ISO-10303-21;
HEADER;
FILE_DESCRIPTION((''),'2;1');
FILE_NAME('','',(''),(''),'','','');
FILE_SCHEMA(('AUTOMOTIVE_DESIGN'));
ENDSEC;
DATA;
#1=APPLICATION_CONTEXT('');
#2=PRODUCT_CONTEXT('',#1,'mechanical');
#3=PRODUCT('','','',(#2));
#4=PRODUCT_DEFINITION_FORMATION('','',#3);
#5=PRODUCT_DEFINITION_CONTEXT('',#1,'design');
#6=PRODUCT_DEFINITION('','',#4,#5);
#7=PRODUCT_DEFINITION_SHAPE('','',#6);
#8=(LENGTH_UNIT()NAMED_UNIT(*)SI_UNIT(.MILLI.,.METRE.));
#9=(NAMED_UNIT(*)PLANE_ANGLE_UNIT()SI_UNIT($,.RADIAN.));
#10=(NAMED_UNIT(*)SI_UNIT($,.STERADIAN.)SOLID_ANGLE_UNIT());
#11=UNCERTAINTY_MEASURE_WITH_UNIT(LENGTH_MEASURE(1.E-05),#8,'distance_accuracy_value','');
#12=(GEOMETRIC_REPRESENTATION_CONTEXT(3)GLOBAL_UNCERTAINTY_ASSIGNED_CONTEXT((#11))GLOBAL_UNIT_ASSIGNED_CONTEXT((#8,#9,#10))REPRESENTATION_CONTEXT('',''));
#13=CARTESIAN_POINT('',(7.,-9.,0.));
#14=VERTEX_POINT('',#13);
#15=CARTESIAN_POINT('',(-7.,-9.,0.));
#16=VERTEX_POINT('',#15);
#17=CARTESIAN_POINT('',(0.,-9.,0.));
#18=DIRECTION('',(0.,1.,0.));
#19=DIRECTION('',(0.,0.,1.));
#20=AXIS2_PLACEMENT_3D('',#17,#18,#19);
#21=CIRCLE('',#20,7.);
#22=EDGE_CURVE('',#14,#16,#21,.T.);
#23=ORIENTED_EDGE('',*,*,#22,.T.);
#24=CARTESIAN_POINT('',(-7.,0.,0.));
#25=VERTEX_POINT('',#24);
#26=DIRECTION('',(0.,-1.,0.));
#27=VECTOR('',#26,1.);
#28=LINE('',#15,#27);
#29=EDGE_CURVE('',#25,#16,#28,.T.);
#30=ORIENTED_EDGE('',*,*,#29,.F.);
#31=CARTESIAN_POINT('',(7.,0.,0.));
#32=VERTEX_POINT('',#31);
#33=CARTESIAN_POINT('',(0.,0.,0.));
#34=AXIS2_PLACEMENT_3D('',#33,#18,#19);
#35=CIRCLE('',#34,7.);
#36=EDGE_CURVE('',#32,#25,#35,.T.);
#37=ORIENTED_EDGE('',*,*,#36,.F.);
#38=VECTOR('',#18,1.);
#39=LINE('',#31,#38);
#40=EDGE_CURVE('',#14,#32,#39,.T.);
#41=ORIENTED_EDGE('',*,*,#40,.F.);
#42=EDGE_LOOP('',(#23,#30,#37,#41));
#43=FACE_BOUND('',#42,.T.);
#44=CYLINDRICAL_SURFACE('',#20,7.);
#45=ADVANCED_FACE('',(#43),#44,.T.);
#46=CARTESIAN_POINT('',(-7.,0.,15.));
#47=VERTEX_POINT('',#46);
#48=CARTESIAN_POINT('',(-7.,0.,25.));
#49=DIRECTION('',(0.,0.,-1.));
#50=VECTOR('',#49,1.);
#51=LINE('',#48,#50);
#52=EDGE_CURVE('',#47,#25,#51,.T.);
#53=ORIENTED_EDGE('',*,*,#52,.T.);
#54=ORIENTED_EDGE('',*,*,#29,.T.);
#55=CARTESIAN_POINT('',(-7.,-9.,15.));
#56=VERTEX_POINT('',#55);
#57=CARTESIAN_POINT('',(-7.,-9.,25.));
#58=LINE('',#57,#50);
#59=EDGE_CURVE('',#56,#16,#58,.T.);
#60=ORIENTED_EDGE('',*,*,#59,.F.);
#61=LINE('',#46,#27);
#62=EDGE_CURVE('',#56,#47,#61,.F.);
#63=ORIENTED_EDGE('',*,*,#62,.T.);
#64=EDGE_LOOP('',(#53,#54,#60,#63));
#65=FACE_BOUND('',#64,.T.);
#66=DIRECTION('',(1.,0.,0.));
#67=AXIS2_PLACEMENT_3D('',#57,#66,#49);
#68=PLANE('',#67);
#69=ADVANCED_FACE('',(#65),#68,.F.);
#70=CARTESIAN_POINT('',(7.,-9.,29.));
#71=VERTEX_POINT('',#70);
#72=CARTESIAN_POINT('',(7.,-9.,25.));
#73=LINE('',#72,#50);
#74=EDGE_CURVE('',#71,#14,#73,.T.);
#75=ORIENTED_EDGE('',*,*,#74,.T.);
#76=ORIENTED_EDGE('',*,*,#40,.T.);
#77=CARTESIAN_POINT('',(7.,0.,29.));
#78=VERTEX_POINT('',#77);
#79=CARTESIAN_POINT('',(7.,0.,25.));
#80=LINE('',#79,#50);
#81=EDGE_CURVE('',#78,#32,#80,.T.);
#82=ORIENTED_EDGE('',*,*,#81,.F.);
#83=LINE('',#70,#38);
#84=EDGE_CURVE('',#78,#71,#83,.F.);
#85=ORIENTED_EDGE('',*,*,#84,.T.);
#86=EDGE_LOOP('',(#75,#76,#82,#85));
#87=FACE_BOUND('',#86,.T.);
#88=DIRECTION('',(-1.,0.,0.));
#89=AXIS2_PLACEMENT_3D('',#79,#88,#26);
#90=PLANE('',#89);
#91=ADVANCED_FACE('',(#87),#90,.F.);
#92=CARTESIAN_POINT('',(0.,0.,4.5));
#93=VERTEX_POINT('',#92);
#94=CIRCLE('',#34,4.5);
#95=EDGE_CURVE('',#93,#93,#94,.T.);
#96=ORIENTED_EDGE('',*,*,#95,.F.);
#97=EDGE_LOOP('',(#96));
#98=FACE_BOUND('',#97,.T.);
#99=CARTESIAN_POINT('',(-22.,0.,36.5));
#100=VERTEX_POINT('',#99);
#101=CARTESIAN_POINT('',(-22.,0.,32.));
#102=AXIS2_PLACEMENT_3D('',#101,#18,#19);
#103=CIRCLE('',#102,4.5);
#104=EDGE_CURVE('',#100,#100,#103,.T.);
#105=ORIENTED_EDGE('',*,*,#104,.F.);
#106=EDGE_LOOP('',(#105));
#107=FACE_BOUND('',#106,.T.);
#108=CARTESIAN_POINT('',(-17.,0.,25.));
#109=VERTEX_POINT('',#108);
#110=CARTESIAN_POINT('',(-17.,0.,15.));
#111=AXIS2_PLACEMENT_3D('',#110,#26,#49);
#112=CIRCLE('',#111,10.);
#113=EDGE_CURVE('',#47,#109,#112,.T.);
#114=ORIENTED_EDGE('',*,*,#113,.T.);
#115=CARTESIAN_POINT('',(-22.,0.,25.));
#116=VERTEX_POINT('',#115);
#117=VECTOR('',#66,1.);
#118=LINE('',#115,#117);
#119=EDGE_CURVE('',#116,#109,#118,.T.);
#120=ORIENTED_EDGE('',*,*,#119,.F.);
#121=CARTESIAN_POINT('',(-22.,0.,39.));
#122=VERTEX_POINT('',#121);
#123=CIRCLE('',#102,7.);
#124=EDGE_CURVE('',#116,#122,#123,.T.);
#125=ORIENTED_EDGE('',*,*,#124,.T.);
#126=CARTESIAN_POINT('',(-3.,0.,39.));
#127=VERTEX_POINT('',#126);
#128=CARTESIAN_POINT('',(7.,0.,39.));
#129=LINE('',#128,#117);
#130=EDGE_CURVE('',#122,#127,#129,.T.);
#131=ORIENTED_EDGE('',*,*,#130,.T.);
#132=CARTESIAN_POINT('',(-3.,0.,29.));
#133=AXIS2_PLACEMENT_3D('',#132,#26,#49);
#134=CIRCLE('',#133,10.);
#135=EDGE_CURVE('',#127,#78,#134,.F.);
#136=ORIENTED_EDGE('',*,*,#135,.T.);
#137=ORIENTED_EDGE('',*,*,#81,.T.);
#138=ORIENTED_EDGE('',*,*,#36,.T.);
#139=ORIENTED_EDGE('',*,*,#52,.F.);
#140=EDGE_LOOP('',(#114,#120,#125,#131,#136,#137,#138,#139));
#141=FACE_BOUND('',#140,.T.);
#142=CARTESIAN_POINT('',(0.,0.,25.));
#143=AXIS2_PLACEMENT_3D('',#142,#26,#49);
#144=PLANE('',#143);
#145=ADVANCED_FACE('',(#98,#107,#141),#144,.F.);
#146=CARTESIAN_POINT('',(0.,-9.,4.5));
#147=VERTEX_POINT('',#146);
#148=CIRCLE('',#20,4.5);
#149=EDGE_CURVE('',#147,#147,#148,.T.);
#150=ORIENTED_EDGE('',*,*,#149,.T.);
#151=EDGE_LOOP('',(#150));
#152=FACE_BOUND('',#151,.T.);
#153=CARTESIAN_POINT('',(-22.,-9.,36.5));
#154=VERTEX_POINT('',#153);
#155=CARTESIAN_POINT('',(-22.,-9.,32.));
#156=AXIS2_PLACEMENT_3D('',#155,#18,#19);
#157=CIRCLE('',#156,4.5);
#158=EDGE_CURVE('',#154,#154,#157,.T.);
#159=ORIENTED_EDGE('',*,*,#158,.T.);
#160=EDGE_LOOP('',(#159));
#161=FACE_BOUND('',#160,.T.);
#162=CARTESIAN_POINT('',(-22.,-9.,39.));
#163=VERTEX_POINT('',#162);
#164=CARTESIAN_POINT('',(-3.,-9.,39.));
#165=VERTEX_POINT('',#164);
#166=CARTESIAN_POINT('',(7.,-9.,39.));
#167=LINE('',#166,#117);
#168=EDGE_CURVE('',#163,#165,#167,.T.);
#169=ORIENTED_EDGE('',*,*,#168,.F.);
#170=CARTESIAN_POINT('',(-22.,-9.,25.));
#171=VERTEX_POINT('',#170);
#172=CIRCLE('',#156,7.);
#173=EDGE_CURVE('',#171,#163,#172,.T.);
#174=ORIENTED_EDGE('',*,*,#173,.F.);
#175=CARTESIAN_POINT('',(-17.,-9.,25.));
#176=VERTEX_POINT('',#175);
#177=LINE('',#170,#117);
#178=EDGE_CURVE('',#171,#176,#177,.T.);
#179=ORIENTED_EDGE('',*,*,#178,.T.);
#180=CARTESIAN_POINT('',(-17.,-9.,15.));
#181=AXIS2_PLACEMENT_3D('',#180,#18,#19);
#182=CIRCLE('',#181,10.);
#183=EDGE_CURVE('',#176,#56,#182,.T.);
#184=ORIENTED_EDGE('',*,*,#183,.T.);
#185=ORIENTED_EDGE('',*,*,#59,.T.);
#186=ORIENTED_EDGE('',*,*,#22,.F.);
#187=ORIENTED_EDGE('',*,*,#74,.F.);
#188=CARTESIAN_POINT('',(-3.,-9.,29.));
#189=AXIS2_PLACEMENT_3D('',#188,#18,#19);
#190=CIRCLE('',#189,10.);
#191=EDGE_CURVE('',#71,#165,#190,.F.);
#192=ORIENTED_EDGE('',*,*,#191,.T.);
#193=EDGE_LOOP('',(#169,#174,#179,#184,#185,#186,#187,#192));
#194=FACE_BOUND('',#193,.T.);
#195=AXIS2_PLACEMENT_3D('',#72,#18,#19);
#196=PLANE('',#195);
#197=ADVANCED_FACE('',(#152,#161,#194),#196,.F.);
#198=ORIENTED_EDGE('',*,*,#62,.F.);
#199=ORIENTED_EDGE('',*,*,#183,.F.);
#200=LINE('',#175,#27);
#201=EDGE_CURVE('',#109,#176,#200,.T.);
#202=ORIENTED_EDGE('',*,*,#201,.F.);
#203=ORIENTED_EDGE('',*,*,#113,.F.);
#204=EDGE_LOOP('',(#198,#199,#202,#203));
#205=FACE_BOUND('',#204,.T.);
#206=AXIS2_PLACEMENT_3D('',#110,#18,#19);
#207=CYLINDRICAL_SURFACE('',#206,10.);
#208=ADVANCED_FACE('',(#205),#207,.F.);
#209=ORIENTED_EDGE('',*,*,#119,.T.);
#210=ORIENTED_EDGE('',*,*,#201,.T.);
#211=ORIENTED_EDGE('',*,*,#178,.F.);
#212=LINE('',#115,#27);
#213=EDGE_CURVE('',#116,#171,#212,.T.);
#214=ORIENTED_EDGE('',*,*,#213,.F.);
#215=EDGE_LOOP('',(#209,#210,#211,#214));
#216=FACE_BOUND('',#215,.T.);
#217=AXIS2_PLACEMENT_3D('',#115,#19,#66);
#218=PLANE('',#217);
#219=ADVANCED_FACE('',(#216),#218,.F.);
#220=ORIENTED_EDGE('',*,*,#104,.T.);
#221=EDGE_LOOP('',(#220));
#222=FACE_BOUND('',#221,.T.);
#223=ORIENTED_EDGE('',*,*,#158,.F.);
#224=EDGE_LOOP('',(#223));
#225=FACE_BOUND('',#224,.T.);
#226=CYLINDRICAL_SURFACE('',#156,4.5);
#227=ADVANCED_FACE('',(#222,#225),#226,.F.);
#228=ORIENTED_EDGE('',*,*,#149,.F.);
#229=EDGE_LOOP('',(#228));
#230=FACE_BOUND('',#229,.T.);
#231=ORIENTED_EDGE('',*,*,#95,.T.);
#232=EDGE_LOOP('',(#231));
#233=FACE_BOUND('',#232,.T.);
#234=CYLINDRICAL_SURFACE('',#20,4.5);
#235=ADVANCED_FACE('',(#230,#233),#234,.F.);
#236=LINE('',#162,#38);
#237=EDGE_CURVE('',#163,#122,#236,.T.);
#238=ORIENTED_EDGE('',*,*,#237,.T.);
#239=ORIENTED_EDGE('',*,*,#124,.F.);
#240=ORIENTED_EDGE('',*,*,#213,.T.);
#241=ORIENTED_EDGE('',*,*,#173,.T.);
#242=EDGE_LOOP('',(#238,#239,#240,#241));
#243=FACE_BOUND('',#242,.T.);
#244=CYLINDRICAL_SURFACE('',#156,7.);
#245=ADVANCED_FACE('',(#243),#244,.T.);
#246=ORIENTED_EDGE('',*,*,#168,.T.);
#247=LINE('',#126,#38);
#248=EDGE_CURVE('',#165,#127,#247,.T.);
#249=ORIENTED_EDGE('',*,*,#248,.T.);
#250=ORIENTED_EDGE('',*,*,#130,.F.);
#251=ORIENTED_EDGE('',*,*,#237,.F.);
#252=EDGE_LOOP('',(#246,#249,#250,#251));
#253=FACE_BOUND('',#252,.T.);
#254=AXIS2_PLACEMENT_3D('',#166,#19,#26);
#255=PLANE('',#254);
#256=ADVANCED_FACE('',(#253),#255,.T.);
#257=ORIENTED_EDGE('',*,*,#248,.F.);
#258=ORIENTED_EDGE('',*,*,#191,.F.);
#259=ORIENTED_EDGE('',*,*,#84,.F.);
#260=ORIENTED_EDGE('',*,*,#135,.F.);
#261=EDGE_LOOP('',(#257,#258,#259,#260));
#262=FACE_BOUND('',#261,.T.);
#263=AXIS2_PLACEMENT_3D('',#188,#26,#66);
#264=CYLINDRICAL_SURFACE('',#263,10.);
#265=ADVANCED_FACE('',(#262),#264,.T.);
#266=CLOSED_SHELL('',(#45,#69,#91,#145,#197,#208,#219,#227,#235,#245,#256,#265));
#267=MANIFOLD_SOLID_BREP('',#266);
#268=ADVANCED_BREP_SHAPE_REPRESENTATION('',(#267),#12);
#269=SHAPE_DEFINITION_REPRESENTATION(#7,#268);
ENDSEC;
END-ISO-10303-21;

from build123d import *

# Parameters (mm, degrees)
EXTRUDE_1_DEPTH     = 25
EXTRUDE_2_DEPTH     = 9
SKETCH_3_R          = 4.5
CUT_EXTRUDE_1_DEPTH = 9
SKETCH_5_W          = 14
SKETCH_5_H          = 9
EXTRUDE_3_DEPTH     = 15
EXTRUDE_4_DEPTH     = 9
SKETCH_7_R          = 4.5
CUT_EXTRUDE_2_DEPTH = 9
SKETCH_8_W          = 14
SKETCH_8_H          = 14
EXTRUDE_5_DEPTH     = 9
FILLET_1_R          = 10


with BuildPart() as part:
    # 草图1 → 凸台-拉伸1 (new body)
    with BuildSketch(Plane.XY):
        Polygon((0, 0), (7, 0), (7, -9), (-7, -9), (-7, 0), align=None)
    extrude(amount=EXTRUDE_1_DEPTH)

    # 草图2 → 凸台-拉伸2 (add)
    with BuildSketch(Plane(origin=(0, 0, 0), x_dir=(1, 0, 0), z_dir=(0, 1, 0))):
        with BuildLine():
            Line((7, 0), (-7, 0))
            ThreePointArc((-7, 0), (0, 7), (7, 0))
        make_face()
    extrude(amount=-EXTRUDE_2_DEPTH)

    # 草图3 → 切除-拉伸1 (cut)
    with BuildSketch(Plane(origin=(0, 0, 0), x_dir=(1, 0, 0), z_dir=(0, 1, 0))):
        with Locations(Location((0, 0, 0), (0, 0, 270))):
            Circle(SKETCH_3_R)
    extrude(amount=-CUT_EXTRUDE_1_DEPTH, mode=Mode.SUBTRACT)



with BuildPart() as body_2:
    # 草图5 → 凸台-拉伸3 (new body)
    with BuildSketch(Plane.ZY.offset(7)):
        with Locations((32, -4.5)):
            Rectangle(SKETCH_5_W, SKETCH_5_H)
    extrude(amount=EXTRUDE_3_DEPTH)

    # 草图6 → 凸台-拉伸4 (add)
    with BuildSketch(Plane(origin=(0, 0, 0), x_dir=(1, 0, 0), z_dir=(0, 1, 0))):
        with BuildLine():
            Line((-22, -25), (-22, -39))
            ThreePointArc((-22, -39), (-29, -32), (-22, -25))
        make_face()
    extrude(amount=-EXTRUDE_4_DEPTH)

    # 草图7 → 切除-拉伸2 (cut)
    with BuildSketch(Plane(origin=(0, 0, 0), x_dir=(1, 0, 0), z_dir=(0, 1, 0))):
        with Locations(Location((-22, -32, 0), (0, 0, 270))):
            Circle(SKETCH_7_R)
    extrude(amount=-CUT_EXTRUDE_2_DEPTH, mode=Mode.SUBTRACT)


with BuildPart() as part_1:
    add(part.part)

    add(body_2.part)  # 凸台-拉伸5 merges body 2
    # 草图8 → 凸台-拉伸5 (add)
    with BuildSketch(Plane(origin=(0, 0, 0), x_dir=(1, 0, 0), z_dir=(0, 1, 0))):
        with Locations((0, -32)):
            Rectangle(SKETCH_8_W, SKETCH_8_H)
    extrude(amount=-EXTRUDE_5_DEPTH)

    # 圆角1
    fillet_1_edges = [part_1.edges().sort_by_distance(p)[0] for p in [
        (7, -4.5, 39),
        (-7, -4.5, 25),
    ]]
    fillet(fillet_1_edges, radius=FILLET_1_R)


solid = part_1.part
